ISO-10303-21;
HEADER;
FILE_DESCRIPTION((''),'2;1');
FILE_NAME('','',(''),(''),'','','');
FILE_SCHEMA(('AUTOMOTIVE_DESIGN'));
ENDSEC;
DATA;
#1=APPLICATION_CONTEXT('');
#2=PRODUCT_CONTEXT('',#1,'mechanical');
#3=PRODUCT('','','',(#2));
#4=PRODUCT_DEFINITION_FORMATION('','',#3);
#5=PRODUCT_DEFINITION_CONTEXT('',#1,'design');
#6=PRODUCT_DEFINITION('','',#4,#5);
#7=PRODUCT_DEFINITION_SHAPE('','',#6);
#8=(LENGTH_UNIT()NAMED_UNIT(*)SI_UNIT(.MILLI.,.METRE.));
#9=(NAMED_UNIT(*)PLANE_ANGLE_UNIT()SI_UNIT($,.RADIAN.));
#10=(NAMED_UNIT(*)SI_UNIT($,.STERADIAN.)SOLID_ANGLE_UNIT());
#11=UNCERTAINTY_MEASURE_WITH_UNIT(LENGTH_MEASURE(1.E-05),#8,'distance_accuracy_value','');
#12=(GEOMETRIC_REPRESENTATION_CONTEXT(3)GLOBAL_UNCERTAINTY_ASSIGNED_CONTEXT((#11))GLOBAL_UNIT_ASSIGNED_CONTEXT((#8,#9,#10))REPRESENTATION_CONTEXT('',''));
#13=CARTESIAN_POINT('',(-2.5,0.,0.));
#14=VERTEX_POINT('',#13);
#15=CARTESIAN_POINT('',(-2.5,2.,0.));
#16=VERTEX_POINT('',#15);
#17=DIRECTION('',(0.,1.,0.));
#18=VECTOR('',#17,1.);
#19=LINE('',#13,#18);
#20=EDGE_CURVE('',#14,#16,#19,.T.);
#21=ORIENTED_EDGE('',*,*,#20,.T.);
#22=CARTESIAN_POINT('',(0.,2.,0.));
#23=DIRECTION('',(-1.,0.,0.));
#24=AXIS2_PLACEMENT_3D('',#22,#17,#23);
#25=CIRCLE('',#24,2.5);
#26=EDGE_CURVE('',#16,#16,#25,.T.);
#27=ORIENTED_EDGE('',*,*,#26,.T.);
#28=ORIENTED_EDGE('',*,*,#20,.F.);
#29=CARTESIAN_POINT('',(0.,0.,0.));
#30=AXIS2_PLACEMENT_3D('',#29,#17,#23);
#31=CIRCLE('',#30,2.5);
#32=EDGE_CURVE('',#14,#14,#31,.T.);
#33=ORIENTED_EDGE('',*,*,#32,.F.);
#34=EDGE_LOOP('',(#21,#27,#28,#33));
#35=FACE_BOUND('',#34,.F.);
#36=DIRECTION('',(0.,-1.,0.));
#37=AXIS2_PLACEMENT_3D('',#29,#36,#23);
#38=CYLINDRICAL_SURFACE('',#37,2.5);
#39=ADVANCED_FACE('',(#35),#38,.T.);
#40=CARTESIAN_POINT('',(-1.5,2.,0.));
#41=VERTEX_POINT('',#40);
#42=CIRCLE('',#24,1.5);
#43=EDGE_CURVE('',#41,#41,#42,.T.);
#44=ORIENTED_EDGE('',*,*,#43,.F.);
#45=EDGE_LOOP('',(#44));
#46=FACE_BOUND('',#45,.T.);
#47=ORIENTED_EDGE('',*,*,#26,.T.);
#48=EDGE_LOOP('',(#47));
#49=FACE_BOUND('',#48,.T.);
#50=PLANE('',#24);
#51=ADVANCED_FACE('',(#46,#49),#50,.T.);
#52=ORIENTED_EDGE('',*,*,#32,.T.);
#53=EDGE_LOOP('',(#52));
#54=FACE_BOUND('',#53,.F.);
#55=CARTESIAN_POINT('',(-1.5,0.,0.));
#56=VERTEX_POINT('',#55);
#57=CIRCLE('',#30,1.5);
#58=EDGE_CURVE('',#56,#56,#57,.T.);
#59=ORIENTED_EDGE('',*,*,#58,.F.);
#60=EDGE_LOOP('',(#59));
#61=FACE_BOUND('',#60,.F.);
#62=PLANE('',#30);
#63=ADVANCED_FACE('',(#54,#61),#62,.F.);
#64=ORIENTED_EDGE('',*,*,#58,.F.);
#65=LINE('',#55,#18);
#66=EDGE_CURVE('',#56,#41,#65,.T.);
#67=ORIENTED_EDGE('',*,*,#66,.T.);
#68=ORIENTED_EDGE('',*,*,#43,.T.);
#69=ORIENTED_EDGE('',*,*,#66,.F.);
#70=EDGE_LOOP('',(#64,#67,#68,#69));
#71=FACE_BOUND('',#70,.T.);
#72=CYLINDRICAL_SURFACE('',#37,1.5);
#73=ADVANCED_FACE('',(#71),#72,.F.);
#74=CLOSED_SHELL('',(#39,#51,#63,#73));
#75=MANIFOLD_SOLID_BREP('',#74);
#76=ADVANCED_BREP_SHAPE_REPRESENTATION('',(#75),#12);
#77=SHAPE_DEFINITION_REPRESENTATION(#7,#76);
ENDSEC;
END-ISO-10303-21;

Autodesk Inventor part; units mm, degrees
ref_plane "YZ Plane" through (0, 0, 0) normal (1, 0, 0) x (0, 1, 0)
ref_plane "XZ Plane" through (0, 0, 0) normal (0, 1, 0) x (-1, 0, 0)
ref_plane "XY Plane" through (0, 0, 0) normal (0, 0, 1) x (1, 0, 0)
sketch "Sketch1" plane through (0, 0, 0) normal (0, 1, 0) x (-1, 0, 0)
  circle A0 centre (0, 0) radius 1.5
  circle A1 centre (0, 0) radius 2.5
  dimension "d0" = 3
  dimension "d1" = 5
extrude "Extrusion1" add sketch "Sketch1" along normal blind 2
properties part number "Bearing_Distance_Sleeve"
